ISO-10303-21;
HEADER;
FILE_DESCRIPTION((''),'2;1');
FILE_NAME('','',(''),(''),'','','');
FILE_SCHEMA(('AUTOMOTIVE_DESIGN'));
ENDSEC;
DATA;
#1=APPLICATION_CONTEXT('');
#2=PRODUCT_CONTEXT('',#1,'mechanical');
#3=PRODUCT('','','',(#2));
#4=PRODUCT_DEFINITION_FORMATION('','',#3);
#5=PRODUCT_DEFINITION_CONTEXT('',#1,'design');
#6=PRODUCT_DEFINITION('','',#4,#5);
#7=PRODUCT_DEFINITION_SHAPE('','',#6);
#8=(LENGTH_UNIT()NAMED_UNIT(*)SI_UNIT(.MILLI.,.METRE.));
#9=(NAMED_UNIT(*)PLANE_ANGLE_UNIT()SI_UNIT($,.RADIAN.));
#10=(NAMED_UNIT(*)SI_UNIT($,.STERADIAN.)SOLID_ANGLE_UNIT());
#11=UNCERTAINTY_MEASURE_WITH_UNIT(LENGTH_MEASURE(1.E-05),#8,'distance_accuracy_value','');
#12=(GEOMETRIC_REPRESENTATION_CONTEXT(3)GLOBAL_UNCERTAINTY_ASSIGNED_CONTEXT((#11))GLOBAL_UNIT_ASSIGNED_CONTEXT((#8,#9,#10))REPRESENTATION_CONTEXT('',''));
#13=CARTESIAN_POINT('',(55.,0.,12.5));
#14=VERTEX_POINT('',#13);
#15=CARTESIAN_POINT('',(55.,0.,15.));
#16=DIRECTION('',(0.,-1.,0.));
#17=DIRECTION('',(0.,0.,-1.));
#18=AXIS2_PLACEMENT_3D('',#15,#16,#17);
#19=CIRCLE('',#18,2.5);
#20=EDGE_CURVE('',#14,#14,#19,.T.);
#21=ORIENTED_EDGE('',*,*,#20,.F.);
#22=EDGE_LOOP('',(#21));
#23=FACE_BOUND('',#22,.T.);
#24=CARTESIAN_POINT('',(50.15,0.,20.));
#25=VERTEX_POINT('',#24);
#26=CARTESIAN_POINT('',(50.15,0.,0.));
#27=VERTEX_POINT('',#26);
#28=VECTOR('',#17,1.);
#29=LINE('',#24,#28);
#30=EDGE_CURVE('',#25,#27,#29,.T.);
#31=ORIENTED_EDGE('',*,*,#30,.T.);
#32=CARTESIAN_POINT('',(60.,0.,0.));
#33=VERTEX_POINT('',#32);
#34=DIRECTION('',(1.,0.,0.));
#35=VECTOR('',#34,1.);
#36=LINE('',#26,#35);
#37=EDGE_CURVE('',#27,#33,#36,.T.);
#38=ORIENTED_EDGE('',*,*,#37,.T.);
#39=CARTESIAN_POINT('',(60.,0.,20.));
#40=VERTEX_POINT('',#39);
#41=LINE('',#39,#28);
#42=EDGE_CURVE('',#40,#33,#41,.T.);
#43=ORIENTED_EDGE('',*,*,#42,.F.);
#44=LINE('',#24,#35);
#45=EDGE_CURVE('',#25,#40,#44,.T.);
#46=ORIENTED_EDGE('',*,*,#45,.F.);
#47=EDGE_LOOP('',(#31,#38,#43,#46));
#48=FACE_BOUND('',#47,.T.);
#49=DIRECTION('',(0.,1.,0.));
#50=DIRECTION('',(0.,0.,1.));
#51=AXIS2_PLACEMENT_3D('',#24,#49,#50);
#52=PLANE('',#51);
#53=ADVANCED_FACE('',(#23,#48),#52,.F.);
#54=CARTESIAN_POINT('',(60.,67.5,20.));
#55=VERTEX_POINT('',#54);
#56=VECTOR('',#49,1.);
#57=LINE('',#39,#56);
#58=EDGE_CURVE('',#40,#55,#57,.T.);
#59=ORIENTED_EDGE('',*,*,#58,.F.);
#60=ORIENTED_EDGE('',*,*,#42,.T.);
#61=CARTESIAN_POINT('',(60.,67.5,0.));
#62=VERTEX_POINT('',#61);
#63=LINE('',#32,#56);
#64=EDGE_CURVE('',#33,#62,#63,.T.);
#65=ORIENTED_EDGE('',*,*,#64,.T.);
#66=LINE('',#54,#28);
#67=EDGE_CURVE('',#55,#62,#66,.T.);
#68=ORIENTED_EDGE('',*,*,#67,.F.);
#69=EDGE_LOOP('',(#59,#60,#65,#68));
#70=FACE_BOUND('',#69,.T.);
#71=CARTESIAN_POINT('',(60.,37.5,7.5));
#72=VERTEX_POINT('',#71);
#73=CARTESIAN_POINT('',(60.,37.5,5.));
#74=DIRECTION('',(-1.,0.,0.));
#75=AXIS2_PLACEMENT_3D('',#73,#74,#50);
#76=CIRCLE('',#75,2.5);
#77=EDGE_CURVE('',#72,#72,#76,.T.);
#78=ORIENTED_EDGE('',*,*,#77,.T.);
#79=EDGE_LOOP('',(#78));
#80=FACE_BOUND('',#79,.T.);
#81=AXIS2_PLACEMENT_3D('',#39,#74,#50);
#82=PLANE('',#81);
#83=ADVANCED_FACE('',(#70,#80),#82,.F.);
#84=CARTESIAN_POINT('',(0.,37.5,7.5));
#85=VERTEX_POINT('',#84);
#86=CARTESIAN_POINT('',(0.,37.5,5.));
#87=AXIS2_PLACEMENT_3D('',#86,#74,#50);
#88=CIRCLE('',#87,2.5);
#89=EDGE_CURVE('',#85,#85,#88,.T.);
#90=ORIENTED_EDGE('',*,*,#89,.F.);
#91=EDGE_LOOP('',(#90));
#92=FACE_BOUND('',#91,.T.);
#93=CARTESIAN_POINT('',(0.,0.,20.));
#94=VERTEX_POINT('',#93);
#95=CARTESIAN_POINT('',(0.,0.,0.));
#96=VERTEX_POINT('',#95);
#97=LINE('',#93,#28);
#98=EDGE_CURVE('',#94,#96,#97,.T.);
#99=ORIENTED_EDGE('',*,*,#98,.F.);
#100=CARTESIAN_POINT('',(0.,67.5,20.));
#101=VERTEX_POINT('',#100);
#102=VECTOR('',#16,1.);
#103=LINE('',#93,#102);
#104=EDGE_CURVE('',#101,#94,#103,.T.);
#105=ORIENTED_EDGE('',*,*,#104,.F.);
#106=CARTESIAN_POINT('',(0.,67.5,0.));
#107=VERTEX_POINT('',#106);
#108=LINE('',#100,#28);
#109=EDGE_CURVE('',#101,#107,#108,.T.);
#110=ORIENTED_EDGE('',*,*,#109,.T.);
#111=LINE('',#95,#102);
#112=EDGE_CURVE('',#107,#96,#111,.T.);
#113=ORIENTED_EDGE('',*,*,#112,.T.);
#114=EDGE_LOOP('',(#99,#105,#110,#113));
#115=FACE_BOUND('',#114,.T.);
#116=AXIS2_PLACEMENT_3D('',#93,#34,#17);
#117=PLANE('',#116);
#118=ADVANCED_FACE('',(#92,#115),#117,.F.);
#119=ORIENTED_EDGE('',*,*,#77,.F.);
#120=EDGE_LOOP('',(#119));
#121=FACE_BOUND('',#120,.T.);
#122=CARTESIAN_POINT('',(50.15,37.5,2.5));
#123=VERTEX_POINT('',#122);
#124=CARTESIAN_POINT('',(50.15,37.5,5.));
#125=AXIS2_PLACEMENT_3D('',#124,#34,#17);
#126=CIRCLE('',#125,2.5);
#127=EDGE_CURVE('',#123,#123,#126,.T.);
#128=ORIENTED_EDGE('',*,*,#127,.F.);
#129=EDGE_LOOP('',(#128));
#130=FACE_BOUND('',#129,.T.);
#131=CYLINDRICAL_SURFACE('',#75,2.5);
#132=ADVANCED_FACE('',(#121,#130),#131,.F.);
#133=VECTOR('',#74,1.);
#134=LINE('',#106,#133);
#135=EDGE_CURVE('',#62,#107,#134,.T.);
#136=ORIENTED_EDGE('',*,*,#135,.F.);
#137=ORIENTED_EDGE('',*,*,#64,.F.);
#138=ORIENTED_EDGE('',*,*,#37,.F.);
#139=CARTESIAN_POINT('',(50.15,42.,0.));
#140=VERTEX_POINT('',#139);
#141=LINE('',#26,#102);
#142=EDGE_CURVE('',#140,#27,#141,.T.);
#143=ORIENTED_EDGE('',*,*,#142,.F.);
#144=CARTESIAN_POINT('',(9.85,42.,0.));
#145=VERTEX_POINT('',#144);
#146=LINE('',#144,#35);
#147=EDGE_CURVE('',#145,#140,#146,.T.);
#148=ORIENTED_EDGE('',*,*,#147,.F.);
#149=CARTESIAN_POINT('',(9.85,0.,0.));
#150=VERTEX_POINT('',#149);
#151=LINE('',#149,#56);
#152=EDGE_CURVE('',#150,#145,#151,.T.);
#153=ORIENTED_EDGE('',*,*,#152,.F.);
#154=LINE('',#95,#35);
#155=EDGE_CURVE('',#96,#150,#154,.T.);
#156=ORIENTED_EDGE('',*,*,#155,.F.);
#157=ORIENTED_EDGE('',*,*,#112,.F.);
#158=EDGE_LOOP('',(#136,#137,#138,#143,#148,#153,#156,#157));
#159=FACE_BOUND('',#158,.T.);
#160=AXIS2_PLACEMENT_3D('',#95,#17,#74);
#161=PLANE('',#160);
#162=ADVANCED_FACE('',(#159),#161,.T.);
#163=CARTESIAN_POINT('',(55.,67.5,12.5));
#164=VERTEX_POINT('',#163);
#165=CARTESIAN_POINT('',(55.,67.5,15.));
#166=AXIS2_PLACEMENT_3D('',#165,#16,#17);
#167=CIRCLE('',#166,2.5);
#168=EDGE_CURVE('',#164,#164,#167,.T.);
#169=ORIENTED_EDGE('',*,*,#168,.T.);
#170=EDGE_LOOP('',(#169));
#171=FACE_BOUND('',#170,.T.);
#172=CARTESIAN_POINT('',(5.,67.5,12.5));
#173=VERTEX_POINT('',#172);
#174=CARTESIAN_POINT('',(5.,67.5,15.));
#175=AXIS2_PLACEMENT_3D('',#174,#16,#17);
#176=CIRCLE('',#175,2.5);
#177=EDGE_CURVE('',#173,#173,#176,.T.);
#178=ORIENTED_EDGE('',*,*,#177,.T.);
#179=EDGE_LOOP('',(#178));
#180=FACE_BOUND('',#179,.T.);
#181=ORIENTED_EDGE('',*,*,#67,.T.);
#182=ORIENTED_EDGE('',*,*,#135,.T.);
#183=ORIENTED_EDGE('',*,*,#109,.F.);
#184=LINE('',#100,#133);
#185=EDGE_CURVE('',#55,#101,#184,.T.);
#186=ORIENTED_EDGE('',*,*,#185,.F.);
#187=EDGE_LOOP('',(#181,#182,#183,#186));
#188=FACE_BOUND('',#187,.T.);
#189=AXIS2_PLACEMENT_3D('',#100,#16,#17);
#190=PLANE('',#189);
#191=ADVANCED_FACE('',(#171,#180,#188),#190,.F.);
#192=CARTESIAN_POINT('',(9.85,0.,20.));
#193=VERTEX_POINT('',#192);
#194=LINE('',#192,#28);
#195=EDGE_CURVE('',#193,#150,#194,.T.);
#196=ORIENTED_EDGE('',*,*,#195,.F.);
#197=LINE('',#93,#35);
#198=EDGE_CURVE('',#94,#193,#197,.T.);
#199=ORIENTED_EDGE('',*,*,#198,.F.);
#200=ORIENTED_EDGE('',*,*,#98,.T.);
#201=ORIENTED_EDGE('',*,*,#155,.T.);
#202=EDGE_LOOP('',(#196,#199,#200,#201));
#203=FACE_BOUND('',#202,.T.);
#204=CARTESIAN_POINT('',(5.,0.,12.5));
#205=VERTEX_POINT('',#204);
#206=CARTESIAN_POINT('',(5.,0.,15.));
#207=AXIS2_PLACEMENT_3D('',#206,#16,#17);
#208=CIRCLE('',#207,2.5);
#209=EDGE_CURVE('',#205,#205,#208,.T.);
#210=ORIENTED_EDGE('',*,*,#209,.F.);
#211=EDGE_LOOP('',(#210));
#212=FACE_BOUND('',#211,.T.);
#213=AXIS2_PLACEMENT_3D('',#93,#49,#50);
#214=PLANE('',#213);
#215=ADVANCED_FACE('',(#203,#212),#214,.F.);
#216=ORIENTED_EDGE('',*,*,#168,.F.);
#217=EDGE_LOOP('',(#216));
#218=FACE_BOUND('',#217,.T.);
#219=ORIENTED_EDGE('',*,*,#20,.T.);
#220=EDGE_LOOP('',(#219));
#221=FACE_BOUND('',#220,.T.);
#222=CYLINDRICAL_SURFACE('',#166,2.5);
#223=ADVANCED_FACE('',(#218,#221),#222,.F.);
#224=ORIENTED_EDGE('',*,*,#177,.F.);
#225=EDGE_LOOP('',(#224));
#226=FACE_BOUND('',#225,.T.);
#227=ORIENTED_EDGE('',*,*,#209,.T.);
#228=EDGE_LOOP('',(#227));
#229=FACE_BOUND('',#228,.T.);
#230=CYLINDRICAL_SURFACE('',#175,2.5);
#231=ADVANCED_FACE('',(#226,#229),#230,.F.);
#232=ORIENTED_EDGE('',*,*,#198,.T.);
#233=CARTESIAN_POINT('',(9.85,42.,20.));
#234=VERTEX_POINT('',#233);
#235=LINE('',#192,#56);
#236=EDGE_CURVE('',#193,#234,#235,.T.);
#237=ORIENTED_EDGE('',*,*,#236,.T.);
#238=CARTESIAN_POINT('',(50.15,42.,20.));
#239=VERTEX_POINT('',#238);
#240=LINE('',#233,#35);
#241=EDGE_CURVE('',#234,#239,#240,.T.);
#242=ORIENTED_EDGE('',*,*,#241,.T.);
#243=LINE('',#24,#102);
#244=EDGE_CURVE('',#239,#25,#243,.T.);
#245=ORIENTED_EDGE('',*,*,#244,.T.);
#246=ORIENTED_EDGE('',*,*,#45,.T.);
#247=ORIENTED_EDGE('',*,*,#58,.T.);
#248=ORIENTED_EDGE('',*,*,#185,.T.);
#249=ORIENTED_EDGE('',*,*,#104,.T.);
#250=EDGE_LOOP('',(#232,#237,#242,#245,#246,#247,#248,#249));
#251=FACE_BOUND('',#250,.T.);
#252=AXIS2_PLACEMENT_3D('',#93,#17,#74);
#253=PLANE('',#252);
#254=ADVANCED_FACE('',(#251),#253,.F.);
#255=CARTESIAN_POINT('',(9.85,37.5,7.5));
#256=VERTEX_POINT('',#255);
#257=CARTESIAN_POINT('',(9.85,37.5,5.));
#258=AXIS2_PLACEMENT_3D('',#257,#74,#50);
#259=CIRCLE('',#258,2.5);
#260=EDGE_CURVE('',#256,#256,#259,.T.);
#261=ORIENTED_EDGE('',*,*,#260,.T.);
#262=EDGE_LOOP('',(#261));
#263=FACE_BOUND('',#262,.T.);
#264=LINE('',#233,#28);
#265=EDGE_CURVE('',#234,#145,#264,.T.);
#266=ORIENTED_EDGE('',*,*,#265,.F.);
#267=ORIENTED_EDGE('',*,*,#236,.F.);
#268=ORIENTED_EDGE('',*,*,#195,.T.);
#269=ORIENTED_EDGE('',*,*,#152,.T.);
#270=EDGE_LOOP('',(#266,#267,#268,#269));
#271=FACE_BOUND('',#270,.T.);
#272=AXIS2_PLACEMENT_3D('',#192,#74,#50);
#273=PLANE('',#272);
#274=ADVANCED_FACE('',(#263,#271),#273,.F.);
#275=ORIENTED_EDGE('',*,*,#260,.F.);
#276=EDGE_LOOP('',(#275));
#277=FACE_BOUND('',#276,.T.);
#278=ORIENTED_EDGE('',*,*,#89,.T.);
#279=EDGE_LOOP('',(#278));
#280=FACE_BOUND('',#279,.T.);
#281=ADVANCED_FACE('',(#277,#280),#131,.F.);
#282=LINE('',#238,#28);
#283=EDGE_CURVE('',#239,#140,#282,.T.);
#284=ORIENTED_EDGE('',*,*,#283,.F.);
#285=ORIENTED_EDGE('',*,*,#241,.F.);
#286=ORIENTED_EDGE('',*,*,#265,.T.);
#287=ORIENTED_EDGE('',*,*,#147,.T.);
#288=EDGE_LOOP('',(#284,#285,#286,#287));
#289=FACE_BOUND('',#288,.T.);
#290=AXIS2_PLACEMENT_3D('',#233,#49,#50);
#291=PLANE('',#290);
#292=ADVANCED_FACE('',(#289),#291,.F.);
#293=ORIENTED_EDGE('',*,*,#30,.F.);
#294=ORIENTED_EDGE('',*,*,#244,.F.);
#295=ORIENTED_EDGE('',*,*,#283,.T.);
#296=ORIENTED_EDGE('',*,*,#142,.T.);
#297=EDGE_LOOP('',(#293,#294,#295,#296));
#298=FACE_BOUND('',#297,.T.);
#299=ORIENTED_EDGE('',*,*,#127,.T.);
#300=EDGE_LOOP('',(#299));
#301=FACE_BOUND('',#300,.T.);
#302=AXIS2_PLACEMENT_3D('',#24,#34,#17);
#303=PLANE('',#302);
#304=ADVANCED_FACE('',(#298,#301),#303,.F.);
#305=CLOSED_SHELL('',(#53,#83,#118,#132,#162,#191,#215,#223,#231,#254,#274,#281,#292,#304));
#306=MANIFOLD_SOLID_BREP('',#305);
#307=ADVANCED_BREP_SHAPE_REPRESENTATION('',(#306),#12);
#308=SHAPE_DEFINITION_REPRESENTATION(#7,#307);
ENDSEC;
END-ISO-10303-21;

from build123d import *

# Parameters (mm, degrees)
BOSS_EXTRUDE1_DEPTH = 20
SKETCH3_R           = 2.5
CUT_EXTRUDE1_DEPTH  = 68.5
SKETCH4_R           = 2.5
CUT_EXTRUDE2_DEPTH  = 61


with BuildPart() as part:
    # Sketch1 → Boss-Extrude1 (new body)
    with BuildSketch(Plane.XY):
        Polygon((50.15, 0), (60, 0), (60, 67.5), (0, 67.5), (0, 0), (9.85, 0), (9.85, 42), (50.15, 42), align=None)
    extrude(amount=BOSS_EXTRUDE1_DEPTH)

    # Sketch3 → Cut-Extrude1 (cut, through all)
    with BuildSketch(Plane.XZ):
        with Locations((5, 15)):
            Circle(SKETCH3_R)
        with Locations((55, 15)):
            Circle(SKETCH3_R)
    extrude(amount=-CUT_EXTRUDE1_DEPTH, mode=Mode.SUBTRACT)

    # Sketch4 → Cut-Extrude2 (cut, through all)
    with BuildSketch(Plane.ZY):
        with Locations((5, 37.5)):
            Circle(SKETCH4_R)
    extrude(amount=-CUT_EXTRUDE2_DEPTH, mode=Mode.SUBTRACT)


solid = part.part
